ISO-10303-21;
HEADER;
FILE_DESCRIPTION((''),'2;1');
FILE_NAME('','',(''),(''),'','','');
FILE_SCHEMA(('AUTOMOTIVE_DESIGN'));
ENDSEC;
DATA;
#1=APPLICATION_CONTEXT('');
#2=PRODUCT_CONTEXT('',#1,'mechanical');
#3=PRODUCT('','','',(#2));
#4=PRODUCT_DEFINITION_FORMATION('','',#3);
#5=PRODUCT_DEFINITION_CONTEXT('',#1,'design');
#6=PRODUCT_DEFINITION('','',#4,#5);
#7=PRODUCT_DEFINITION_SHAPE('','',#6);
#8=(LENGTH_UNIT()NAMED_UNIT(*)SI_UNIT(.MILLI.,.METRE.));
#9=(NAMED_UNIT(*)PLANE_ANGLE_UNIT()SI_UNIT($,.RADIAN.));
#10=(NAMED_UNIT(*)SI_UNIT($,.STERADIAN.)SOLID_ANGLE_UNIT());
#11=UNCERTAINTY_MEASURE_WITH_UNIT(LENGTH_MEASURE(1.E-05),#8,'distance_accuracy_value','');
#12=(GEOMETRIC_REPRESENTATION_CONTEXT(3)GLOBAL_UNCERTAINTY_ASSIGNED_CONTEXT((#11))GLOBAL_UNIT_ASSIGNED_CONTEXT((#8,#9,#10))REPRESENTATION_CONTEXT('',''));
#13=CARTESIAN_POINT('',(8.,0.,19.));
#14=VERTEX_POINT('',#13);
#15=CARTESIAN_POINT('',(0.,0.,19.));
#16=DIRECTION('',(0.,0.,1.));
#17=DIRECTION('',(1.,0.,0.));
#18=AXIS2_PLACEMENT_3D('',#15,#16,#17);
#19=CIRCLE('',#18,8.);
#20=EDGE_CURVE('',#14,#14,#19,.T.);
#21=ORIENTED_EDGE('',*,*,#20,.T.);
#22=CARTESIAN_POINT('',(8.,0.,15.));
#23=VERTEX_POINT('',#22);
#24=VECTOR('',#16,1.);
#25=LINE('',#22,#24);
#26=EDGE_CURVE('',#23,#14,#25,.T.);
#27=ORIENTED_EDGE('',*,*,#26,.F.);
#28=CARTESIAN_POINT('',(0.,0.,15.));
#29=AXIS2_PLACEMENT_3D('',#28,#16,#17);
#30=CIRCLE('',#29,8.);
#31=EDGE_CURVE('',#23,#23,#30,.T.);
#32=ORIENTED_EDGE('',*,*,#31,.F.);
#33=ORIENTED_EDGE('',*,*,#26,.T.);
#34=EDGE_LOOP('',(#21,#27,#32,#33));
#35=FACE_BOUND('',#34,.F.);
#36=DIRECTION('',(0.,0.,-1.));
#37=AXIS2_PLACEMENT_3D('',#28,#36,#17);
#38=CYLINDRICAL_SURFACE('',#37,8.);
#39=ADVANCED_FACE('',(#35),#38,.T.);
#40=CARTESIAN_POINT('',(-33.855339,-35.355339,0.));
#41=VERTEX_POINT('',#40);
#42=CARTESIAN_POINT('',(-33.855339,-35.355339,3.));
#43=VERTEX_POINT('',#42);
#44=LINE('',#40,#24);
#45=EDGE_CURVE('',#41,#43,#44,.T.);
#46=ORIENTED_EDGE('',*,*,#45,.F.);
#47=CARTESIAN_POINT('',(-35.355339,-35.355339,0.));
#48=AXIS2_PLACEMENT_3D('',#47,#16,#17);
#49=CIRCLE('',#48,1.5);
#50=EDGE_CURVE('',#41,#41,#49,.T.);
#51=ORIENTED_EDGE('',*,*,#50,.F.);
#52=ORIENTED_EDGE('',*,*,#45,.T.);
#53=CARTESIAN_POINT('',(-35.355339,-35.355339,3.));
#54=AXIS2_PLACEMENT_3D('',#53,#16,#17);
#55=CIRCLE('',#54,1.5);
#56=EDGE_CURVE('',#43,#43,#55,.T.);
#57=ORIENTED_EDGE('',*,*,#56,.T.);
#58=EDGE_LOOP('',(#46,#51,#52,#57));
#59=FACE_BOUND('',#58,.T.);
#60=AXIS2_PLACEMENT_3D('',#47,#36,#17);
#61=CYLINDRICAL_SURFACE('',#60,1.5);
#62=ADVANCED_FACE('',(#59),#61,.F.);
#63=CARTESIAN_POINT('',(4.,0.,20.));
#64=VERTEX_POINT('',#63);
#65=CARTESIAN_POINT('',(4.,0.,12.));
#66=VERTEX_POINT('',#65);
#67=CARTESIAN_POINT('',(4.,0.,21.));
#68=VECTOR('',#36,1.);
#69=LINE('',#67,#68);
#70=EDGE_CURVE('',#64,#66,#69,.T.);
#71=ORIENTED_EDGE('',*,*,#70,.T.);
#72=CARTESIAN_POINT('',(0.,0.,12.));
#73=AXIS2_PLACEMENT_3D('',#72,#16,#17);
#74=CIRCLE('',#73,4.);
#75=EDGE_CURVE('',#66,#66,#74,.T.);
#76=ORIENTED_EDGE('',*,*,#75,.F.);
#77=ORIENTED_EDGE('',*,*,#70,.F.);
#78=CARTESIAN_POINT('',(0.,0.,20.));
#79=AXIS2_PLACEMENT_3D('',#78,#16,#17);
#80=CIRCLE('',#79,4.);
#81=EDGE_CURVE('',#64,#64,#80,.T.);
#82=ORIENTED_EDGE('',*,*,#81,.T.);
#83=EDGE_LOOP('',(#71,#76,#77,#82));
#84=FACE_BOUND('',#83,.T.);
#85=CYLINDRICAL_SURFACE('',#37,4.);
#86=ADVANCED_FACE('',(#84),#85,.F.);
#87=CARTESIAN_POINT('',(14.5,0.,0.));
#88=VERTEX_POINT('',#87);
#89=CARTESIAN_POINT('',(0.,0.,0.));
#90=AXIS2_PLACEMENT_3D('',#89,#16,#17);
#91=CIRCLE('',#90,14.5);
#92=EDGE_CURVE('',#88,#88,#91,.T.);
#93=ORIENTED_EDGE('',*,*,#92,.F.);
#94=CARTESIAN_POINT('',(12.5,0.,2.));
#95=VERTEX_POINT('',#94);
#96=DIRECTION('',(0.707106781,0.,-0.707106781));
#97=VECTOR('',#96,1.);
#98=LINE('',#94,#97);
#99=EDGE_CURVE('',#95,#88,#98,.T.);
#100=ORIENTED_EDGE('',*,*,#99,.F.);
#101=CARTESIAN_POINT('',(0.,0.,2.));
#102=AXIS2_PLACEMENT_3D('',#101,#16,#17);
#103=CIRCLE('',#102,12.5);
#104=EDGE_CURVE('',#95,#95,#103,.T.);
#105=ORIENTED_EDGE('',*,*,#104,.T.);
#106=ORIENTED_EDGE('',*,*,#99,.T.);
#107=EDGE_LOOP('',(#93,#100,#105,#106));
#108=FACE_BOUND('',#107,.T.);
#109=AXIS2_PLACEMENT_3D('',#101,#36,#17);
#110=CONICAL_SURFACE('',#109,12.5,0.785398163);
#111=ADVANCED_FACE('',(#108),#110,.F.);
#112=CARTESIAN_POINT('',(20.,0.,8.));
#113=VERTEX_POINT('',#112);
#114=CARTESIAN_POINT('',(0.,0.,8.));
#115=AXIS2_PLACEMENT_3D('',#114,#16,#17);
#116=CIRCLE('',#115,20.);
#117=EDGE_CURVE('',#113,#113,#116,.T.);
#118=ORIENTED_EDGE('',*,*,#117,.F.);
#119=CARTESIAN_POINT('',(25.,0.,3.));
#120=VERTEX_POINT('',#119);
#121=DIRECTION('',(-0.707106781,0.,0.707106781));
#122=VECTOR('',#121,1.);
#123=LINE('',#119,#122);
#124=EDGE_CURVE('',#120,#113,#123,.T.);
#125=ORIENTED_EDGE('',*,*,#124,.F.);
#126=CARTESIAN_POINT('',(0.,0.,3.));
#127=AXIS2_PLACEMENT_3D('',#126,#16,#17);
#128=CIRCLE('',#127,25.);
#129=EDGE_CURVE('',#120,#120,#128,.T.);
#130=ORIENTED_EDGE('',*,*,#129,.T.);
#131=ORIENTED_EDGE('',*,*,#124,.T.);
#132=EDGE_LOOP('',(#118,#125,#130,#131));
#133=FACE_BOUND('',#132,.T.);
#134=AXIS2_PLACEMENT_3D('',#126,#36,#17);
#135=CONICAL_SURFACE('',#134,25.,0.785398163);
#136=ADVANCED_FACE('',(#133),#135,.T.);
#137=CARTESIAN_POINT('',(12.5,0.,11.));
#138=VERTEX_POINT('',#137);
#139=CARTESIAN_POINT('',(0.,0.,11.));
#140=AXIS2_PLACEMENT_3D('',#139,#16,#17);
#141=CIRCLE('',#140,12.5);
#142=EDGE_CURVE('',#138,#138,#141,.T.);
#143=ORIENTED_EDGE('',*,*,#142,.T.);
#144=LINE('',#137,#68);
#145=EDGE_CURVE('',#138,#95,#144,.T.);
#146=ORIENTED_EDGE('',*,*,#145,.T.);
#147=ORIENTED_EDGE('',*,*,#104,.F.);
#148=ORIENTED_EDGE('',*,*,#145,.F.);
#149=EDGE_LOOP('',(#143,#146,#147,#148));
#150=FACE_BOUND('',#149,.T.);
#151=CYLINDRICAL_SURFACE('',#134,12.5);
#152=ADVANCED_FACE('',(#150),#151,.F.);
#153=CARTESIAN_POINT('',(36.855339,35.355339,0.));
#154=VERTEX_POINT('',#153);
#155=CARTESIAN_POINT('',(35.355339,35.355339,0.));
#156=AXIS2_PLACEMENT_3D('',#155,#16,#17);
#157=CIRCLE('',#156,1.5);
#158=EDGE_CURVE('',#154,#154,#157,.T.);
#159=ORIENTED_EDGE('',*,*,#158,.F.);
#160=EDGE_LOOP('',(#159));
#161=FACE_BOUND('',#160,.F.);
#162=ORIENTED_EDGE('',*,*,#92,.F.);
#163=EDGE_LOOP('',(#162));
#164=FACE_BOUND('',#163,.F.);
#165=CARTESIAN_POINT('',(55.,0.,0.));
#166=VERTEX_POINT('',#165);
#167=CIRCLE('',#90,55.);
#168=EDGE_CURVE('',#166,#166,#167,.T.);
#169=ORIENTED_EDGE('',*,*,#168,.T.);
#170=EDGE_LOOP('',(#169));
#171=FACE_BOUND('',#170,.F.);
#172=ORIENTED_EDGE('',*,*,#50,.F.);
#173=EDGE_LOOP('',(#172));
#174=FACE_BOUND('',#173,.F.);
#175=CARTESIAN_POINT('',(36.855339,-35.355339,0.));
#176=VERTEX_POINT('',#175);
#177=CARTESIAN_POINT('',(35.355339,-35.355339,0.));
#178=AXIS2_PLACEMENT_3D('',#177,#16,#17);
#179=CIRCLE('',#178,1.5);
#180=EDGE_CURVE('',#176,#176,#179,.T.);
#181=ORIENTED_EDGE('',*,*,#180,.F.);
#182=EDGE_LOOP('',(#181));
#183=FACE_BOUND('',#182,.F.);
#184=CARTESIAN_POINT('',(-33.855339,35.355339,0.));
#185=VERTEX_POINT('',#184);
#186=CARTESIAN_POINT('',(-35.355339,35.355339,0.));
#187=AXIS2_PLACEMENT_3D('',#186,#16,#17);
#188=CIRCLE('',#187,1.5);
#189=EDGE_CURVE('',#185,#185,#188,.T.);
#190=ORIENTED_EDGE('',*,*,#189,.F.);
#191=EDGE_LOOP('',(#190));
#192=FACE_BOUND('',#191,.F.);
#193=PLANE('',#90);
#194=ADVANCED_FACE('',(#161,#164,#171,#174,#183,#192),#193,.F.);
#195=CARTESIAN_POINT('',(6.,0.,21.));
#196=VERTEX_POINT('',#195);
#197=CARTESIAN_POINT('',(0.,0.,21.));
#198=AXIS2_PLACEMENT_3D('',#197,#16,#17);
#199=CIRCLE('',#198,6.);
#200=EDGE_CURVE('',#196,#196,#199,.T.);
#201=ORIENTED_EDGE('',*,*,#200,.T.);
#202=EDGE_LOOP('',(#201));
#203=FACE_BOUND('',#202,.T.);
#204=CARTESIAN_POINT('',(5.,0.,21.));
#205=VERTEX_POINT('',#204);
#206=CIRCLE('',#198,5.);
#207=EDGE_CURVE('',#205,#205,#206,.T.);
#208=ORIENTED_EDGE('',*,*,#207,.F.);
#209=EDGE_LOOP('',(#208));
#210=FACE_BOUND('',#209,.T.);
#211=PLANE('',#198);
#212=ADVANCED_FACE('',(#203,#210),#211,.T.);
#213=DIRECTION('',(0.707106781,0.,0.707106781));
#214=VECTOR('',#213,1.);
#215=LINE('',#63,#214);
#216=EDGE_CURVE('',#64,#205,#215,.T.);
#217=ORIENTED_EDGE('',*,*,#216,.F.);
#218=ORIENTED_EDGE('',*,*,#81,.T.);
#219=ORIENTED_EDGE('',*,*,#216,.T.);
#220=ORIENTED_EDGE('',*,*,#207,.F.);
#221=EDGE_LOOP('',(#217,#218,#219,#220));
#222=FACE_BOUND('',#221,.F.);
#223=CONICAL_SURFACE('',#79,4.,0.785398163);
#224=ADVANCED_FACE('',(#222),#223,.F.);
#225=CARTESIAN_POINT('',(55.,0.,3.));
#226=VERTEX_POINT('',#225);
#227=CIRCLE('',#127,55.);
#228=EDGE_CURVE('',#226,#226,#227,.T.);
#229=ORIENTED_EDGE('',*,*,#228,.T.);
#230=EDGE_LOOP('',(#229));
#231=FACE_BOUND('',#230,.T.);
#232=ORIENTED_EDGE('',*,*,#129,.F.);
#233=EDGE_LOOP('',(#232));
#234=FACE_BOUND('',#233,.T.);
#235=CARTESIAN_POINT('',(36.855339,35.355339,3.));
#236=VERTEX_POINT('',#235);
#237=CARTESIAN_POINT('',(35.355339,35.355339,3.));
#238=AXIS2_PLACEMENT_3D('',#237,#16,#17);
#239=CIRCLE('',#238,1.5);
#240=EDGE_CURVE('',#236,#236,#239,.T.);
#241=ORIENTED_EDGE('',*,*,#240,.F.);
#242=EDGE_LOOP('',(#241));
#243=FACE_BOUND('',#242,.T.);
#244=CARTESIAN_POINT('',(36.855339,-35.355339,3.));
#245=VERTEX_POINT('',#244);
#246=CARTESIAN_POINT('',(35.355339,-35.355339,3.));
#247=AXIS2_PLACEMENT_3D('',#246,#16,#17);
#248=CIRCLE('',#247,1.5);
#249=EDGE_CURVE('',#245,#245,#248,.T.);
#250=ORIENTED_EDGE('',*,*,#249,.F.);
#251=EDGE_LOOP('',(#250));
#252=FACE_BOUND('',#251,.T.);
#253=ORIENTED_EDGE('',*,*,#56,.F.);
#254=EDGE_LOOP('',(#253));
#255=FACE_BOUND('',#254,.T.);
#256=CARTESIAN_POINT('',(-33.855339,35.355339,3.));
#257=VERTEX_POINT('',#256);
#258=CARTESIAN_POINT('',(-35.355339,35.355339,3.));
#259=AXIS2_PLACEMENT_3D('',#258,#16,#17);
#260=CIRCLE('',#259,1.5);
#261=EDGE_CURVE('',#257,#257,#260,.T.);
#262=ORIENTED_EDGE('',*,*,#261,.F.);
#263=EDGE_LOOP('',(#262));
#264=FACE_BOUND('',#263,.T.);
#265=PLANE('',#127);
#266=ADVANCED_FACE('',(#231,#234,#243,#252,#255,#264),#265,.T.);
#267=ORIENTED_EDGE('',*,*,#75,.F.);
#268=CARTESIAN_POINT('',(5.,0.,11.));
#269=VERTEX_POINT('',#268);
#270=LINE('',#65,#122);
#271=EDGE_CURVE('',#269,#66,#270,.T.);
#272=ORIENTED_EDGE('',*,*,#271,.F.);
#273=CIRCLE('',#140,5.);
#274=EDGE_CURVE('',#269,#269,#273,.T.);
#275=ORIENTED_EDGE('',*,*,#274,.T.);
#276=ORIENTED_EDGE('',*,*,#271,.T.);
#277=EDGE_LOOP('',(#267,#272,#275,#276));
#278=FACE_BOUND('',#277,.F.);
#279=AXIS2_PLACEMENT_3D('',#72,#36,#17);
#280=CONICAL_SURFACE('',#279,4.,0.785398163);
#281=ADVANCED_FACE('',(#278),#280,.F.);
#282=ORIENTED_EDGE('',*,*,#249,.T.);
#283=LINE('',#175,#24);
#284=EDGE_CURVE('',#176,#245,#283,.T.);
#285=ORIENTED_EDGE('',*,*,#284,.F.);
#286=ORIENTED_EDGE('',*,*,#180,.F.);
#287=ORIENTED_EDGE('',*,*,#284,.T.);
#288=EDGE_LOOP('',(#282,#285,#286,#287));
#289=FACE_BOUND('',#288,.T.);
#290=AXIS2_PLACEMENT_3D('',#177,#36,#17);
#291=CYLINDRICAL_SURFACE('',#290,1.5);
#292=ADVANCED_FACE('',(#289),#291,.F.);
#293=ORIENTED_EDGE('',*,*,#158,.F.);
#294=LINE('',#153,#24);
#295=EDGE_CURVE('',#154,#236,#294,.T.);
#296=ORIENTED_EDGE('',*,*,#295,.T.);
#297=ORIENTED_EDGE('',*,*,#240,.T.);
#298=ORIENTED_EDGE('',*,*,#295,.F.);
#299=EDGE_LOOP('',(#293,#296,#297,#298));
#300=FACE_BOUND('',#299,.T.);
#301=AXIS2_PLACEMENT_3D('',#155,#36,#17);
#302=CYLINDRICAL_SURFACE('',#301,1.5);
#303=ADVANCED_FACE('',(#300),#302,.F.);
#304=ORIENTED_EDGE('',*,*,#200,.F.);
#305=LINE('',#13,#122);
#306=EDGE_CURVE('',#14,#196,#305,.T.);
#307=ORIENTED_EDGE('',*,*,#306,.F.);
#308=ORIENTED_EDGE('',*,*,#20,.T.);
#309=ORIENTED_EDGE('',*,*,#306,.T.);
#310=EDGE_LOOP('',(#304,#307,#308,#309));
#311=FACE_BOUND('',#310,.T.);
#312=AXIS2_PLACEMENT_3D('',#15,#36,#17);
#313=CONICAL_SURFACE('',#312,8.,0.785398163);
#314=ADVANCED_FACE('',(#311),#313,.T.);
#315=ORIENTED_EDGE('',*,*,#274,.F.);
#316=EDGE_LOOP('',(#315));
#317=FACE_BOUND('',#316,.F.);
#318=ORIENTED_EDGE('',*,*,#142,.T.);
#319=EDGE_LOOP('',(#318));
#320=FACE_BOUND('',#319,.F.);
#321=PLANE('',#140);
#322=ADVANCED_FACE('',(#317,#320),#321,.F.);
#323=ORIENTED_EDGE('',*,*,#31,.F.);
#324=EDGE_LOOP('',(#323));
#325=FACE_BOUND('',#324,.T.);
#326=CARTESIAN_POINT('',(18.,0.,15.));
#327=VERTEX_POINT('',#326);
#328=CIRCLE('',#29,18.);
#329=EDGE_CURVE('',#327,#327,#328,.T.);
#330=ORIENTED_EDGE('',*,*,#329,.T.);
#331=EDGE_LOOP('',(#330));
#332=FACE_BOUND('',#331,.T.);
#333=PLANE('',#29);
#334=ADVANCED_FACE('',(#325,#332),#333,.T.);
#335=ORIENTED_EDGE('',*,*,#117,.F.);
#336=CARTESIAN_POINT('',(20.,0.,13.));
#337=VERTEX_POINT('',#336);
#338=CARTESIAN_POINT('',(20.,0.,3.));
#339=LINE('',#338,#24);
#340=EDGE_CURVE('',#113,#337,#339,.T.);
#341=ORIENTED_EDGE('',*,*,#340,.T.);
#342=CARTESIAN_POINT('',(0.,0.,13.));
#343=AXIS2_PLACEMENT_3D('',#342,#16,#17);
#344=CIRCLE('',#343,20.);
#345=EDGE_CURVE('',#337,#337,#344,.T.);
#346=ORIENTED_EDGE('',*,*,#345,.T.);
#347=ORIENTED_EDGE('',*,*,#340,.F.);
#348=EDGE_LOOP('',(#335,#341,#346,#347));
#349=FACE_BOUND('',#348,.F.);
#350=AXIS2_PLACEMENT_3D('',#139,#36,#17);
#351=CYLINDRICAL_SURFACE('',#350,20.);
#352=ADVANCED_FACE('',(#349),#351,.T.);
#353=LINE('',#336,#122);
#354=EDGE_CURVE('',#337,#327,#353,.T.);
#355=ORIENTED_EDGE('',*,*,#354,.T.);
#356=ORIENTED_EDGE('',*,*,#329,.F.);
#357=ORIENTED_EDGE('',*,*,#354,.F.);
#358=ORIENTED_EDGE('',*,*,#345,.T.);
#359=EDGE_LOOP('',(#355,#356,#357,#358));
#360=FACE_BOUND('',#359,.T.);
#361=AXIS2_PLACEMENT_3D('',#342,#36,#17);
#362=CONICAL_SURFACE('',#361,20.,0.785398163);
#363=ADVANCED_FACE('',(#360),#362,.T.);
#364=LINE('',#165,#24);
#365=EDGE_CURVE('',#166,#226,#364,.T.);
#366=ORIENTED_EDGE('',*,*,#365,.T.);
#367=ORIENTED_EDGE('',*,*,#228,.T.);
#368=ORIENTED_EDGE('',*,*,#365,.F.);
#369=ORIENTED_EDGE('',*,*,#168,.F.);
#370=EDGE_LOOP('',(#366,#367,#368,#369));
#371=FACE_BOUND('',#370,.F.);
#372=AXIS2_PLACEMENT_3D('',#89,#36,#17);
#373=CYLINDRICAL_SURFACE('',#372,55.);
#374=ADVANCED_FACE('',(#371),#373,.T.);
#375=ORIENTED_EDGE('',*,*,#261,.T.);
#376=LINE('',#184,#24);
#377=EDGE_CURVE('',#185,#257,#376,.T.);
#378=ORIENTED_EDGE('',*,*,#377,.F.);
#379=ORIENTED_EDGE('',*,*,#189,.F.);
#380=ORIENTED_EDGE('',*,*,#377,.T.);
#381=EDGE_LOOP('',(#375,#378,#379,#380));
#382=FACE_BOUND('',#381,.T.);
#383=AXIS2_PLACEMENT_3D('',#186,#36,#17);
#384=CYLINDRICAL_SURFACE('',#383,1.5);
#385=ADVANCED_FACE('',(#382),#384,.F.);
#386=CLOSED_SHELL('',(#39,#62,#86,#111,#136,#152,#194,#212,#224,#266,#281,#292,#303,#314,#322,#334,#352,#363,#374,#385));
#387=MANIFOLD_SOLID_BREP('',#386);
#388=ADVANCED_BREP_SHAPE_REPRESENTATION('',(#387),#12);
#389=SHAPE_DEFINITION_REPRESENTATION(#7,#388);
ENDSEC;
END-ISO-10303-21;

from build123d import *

# Parameters (mm, degrees)
SKETCH_R        = 55
SKETCH_R_2      = 12.5
SKETCH_R_3      = 1.5
PAD_DEPTH       = 3
SKETCH001_R     = 20
SKETCH001_R_2   = 12.5
PAD001_DEPTH    = 8
SKETCH002_R     = 20
SKETCH002_R_2   = 4
PAD002_DEPTH    = 4
SKETCH003_R     = 8
SKETCH003_R_2   = 4
PAD003_DEPTH    = 6
CHAMFER_SIZE    = 2
CHAMFER001_SIZE = 2
CHAMFER002_SIZE = 2
CHAMFER003_SIZE = 1
CHAMFER004_SIZE = 1


with BuildPart() as part:
    # Sketch → Pad (new body)
    with BuildSketch(Plane.XY):
        Circle(SKETCH_R)
        Circle(SKETCH_R_2, mode=Mode.SUBTRACT)
        with Locations((35.355339, 35.355339)):
            Circle(SKETCH_R_3, mode=Mode.SUBTRACT)
        with Locations((-35.355339, 35.355339)):
            Circle(SKETCH_R_3, mode=Mode.SUBTRACT)
        with Locations((-35.355339, -35.355339)):
            Circle(SKETCH_R_3, mode=Mode.SUBTRACT)
        with Locations((35.355339, -35.355339)):
            Circle(SKETCH_R_3, mode=Mode.SUBTRACT)
    extrude(amount=PAD_DEPTH)

    # Sketch001 (on Face8 of Pad) → Pad001 (join)
    with BuildSketch(Plane.XY.offset(3)):
        Circle(SKETCH001_R)
        Circle(SKETCH001_R_2, mode=Mode.SUBTRACT)
    extrude(amount=PAD001_DEPTH)

    # Sketch002 (on Face11 of Pad001) → Pad002 (join)
    with BuildSketch(Plane.XY.offset(11)):
        Circle(SKETCH002_R)
        Circle(SKETCH002_R_2, mode=Mode.SUBTRACT)
    extrude(amount=PAD002_DEPTH)

    # Sketch003 (on Face13 of Pad002) → Pad003 (join)
    with BuildSketch(Plane.XY.offset(15)):
        Circle(SKETCH003_R)
        Circle(SKETCH003_R_2, mode=Mode.SUBTRACT)
    extrude(amount=PAD003_DEPTH)

    # Sketch004 → Revolution (revolve)
    with BuildSketch(Plane.XZ):
        Polygon((25, 3), (20, 8), (20, 3), align=None)
    revolve(axis=Axis((0, 0, 0), (0, 0, 1)))

    # Chamfer
    chamfer_edges = [part.edges().sort_by_distance(p)[0] for p in [
        (-20, 0, 15),
    ]]
    chamfer(chamfer_edges, length=CHAMFER_SIZE)

    # Chamfer001
    chamfer001_edges = [part.edges().sort_by_distance(p)[0] for p in [
        (-8, 0, 21),
    ]]
    chamfer(chamfer001_edges, length=CHAMFER001_SIZE)

    # Chamfer002
    chamfer002_edges = [part.edges().sort_by_distance(p)[0] for p in [
        (-12.5, 0, 0),
    ]]
    chamfer(chamfer002_edges, length=CHAMFER002_SIZE)

    # Chamfer003
    chamfer003_edges = [part.edges().sort_by_distance(p)[0] for p in [
        (-4, 0, 11),
    ]]
    chamfer(chamfer003_edges, length=CHAMFER003_SIZE)

    # Chamfer004
    chamfer004_edges = [part.edges().sort_by_distance(p)[0] for p in [
        (-4, 0, 21),
    ]]
    chamfer(chamfer004_edges, length=CHAMFER004_SIZE)


solid = part.part
